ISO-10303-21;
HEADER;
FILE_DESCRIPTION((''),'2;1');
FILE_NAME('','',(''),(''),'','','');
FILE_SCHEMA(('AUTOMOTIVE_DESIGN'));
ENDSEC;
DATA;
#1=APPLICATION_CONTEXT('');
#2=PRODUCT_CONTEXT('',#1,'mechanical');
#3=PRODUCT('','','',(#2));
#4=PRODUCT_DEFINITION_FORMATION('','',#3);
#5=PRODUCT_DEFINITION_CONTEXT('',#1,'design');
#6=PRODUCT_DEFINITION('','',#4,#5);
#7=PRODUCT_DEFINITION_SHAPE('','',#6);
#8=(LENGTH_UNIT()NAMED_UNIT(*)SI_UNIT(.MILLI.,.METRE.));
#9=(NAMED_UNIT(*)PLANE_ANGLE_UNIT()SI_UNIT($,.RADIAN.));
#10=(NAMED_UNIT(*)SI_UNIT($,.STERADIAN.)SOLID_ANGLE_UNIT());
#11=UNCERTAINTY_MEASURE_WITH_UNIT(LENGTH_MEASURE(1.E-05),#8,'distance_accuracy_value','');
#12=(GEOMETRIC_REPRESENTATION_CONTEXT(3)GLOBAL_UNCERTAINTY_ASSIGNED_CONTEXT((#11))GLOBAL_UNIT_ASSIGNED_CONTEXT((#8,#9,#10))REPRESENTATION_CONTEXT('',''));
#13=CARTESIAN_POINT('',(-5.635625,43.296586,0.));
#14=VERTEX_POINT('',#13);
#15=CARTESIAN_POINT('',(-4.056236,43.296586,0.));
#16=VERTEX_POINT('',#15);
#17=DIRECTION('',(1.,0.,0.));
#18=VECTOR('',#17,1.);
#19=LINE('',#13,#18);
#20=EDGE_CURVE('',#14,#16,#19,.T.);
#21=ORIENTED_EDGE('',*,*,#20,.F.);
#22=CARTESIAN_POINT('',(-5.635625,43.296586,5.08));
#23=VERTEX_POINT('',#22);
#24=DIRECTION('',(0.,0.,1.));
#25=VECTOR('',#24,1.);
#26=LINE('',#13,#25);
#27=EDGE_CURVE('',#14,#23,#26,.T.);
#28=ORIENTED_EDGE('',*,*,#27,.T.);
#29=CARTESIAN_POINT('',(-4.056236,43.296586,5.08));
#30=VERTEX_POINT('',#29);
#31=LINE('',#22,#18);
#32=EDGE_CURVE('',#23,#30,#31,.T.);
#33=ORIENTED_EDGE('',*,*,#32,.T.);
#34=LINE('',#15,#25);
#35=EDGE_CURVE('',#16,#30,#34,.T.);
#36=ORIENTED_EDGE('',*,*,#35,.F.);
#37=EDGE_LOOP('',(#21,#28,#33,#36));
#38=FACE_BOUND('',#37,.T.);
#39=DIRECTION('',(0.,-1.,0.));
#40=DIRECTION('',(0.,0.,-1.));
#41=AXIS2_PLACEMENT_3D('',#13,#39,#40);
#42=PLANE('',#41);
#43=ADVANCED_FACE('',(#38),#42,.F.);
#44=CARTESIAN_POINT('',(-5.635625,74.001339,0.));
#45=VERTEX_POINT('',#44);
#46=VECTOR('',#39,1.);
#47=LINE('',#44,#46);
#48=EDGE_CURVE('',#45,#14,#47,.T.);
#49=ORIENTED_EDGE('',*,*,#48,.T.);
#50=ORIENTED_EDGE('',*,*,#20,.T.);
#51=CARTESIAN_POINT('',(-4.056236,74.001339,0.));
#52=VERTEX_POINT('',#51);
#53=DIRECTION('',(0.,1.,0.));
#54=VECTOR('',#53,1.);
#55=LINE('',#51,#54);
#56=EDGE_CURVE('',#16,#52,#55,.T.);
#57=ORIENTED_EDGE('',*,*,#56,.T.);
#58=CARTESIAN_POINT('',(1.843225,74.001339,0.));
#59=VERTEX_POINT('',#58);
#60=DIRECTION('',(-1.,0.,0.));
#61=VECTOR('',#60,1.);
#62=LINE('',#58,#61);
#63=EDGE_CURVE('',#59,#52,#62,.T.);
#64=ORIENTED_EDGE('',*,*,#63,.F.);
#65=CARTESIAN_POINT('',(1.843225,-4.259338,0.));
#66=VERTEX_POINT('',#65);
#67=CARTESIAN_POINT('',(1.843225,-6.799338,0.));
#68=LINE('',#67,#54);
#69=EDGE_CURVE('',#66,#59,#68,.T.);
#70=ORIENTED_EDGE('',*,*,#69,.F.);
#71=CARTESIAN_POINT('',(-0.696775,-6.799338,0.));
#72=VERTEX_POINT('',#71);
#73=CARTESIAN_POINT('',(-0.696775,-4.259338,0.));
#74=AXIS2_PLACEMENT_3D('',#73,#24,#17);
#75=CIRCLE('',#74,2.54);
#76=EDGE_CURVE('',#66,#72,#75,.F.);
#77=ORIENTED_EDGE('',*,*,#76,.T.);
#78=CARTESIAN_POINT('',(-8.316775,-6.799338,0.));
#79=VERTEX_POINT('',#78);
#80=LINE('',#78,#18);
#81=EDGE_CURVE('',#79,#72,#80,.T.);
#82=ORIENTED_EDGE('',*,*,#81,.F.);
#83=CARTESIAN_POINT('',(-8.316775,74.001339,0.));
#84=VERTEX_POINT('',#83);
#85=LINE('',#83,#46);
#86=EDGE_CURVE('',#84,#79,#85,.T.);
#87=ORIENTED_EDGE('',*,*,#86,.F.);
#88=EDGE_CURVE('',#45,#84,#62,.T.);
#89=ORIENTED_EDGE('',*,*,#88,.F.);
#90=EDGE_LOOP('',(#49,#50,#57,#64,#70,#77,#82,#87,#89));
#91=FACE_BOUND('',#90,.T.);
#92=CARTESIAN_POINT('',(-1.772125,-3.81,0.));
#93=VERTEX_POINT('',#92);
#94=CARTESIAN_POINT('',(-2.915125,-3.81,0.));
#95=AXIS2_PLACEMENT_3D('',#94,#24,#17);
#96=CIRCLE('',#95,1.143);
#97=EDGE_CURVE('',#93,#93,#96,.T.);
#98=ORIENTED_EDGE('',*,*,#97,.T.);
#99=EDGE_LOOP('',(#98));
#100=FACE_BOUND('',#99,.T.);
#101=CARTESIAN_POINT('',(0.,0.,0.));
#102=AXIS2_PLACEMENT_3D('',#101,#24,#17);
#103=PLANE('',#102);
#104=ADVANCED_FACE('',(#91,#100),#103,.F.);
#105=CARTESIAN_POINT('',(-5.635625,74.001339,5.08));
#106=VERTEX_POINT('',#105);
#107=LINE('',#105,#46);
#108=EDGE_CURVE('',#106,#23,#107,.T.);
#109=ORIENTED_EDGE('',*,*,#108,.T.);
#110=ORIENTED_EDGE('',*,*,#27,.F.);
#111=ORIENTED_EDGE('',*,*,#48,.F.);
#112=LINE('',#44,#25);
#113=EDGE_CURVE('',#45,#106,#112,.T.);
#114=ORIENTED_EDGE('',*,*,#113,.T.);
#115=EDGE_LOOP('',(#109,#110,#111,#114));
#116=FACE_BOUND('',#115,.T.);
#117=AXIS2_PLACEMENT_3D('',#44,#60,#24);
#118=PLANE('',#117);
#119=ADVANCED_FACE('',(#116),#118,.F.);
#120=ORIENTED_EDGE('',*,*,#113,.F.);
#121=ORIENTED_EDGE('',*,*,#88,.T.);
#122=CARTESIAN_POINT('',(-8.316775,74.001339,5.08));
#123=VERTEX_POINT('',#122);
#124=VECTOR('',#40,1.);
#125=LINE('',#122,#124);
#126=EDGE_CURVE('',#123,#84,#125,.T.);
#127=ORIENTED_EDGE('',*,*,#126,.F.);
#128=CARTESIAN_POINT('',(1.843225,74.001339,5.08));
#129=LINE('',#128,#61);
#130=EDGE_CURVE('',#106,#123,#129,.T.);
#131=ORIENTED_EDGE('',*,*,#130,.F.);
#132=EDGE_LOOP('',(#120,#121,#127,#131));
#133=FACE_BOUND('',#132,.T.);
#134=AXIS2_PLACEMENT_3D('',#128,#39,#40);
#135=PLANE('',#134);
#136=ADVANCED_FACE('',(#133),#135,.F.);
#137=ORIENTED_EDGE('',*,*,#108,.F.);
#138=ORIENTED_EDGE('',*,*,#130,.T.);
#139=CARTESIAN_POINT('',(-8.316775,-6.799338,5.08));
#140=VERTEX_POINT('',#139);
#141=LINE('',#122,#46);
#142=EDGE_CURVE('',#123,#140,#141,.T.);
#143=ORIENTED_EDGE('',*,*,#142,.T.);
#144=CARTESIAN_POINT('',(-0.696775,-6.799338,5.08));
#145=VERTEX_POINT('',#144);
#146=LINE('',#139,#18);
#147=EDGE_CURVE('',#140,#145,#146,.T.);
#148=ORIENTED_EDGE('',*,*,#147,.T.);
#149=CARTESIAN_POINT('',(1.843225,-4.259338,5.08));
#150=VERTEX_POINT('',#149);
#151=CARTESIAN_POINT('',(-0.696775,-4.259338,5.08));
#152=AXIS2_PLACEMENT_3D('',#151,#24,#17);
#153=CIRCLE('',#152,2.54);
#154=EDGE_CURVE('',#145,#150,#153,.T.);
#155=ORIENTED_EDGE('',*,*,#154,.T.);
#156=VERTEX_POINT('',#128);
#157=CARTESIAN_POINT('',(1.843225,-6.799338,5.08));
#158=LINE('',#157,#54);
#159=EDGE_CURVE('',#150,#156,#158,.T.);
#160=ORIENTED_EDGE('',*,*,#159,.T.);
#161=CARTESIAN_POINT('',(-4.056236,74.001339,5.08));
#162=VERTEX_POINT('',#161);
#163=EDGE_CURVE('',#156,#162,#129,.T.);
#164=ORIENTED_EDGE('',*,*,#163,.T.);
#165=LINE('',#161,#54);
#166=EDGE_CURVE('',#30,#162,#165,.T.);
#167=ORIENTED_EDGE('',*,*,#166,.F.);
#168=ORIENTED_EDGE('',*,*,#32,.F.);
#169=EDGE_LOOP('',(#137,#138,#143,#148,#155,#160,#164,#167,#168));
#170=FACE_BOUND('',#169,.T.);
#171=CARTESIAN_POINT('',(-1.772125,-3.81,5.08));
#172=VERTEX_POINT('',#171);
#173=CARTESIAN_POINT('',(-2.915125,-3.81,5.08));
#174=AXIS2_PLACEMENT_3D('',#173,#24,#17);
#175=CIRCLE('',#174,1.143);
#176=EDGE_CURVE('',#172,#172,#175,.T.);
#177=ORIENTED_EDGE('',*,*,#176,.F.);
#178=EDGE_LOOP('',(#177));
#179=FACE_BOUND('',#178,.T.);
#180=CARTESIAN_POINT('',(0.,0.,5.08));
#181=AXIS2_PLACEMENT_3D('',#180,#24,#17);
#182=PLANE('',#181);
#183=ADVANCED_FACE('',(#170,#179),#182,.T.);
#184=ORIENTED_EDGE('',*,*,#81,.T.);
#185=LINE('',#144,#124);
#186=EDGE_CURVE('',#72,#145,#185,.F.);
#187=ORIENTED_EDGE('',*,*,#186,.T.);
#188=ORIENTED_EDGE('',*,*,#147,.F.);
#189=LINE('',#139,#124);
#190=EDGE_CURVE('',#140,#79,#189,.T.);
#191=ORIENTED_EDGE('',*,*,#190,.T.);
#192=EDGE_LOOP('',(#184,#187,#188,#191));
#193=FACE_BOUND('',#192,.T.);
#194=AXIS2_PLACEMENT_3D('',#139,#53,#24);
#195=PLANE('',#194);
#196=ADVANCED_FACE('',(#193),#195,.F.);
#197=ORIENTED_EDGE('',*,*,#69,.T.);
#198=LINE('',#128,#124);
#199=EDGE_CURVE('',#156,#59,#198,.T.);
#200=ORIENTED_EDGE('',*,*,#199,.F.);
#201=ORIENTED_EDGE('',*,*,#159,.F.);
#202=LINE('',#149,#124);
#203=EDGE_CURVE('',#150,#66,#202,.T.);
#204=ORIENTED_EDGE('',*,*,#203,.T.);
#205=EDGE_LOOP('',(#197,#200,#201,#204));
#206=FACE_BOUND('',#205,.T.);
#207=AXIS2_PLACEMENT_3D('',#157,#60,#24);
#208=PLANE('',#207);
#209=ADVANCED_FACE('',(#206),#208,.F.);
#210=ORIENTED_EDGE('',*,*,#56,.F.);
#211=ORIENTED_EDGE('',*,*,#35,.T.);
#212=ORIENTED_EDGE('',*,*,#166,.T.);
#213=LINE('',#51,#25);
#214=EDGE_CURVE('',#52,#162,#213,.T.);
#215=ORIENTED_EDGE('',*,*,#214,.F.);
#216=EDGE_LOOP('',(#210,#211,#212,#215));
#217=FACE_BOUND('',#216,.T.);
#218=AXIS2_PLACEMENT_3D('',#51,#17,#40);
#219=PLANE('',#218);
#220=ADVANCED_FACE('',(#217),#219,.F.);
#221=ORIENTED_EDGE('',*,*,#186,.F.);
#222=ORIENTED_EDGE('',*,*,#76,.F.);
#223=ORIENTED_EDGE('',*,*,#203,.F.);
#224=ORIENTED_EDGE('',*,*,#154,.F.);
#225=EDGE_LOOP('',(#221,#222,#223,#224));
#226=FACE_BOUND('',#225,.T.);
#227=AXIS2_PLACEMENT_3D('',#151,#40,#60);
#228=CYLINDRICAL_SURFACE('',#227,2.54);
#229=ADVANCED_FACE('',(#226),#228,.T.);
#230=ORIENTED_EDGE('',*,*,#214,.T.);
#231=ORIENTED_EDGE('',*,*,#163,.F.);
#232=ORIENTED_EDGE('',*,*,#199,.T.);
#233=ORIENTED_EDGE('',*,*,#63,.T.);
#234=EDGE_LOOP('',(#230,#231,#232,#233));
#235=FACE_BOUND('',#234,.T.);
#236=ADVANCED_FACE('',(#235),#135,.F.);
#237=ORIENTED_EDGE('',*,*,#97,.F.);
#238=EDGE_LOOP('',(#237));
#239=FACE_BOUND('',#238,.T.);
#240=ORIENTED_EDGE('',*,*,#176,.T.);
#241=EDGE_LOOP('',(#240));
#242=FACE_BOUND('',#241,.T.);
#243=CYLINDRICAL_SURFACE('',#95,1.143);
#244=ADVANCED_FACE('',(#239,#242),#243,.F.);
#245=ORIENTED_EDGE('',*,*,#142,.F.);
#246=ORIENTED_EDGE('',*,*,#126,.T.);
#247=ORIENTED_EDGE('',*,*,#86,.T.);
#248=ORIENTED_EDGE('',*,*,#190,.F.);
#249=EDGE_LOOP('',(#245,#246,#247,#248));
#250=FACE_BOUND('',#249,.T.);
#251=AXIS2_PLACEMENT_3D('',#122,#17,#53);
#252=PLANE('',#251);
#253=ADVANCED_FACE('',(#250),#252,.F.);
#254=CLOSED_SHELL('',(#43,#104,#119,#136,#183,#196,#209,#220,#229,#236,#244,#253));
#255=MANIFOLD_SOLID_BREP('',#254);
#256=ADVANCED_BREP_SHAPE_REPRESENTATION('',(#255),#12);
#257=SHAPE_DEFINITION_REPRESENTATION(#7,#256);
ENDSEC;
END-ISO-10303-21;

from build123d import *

# Parameters (mm, degrees)
SKETCH1_W           = 10.16
SKETCH1_H           = 80.800676527
BOSS_EXTRUDE1_DEPTH = 5.08
FILLET1_R           = 2.54
SKETCH2_R           = 1.143
SKETCH2_W           = 1.579389271
SKETCH2_H           = 30.704752465
CUT_EXTRUDE1_DEPTH  = 5.08


with BuildPart() as part:
    # Sketch1 → Boss-Extrude1 (new body)
    with BuildSketch(Plane.XY):
        with Locations((-3.236775432, 33.601000469)):
            Rectangle(SKETCH1_W, SKETCH1_H)
    extrude(amount=BOSS_EXTRUDE1_DEPTH)

    # Fillet1
    fillet1_edges = [part.edges().sort_by_distance(p)[0] for p in [
        (1.843224568, -6.799337795, 2.54),
    ]]
    fillet(fillet1_edges, radius=FILLET1_R)

    # Sketch2 → Cut-Extrude1 (cut)
    with BuildSketch(Plane.XY.offset(5.08)):
        with Locations((-2.915125323, -3.81)):
            Circle(SKETCH2_R)
        with Locations((-4.845930623, 58.6489625)):
            Rectangle(SKETCH2_W, SKETCH2_H)
    extrude(amount=-CUT_EXTRUDE1_DEPTH, mode=Mode.SUBTRACT)


solid = part.part
